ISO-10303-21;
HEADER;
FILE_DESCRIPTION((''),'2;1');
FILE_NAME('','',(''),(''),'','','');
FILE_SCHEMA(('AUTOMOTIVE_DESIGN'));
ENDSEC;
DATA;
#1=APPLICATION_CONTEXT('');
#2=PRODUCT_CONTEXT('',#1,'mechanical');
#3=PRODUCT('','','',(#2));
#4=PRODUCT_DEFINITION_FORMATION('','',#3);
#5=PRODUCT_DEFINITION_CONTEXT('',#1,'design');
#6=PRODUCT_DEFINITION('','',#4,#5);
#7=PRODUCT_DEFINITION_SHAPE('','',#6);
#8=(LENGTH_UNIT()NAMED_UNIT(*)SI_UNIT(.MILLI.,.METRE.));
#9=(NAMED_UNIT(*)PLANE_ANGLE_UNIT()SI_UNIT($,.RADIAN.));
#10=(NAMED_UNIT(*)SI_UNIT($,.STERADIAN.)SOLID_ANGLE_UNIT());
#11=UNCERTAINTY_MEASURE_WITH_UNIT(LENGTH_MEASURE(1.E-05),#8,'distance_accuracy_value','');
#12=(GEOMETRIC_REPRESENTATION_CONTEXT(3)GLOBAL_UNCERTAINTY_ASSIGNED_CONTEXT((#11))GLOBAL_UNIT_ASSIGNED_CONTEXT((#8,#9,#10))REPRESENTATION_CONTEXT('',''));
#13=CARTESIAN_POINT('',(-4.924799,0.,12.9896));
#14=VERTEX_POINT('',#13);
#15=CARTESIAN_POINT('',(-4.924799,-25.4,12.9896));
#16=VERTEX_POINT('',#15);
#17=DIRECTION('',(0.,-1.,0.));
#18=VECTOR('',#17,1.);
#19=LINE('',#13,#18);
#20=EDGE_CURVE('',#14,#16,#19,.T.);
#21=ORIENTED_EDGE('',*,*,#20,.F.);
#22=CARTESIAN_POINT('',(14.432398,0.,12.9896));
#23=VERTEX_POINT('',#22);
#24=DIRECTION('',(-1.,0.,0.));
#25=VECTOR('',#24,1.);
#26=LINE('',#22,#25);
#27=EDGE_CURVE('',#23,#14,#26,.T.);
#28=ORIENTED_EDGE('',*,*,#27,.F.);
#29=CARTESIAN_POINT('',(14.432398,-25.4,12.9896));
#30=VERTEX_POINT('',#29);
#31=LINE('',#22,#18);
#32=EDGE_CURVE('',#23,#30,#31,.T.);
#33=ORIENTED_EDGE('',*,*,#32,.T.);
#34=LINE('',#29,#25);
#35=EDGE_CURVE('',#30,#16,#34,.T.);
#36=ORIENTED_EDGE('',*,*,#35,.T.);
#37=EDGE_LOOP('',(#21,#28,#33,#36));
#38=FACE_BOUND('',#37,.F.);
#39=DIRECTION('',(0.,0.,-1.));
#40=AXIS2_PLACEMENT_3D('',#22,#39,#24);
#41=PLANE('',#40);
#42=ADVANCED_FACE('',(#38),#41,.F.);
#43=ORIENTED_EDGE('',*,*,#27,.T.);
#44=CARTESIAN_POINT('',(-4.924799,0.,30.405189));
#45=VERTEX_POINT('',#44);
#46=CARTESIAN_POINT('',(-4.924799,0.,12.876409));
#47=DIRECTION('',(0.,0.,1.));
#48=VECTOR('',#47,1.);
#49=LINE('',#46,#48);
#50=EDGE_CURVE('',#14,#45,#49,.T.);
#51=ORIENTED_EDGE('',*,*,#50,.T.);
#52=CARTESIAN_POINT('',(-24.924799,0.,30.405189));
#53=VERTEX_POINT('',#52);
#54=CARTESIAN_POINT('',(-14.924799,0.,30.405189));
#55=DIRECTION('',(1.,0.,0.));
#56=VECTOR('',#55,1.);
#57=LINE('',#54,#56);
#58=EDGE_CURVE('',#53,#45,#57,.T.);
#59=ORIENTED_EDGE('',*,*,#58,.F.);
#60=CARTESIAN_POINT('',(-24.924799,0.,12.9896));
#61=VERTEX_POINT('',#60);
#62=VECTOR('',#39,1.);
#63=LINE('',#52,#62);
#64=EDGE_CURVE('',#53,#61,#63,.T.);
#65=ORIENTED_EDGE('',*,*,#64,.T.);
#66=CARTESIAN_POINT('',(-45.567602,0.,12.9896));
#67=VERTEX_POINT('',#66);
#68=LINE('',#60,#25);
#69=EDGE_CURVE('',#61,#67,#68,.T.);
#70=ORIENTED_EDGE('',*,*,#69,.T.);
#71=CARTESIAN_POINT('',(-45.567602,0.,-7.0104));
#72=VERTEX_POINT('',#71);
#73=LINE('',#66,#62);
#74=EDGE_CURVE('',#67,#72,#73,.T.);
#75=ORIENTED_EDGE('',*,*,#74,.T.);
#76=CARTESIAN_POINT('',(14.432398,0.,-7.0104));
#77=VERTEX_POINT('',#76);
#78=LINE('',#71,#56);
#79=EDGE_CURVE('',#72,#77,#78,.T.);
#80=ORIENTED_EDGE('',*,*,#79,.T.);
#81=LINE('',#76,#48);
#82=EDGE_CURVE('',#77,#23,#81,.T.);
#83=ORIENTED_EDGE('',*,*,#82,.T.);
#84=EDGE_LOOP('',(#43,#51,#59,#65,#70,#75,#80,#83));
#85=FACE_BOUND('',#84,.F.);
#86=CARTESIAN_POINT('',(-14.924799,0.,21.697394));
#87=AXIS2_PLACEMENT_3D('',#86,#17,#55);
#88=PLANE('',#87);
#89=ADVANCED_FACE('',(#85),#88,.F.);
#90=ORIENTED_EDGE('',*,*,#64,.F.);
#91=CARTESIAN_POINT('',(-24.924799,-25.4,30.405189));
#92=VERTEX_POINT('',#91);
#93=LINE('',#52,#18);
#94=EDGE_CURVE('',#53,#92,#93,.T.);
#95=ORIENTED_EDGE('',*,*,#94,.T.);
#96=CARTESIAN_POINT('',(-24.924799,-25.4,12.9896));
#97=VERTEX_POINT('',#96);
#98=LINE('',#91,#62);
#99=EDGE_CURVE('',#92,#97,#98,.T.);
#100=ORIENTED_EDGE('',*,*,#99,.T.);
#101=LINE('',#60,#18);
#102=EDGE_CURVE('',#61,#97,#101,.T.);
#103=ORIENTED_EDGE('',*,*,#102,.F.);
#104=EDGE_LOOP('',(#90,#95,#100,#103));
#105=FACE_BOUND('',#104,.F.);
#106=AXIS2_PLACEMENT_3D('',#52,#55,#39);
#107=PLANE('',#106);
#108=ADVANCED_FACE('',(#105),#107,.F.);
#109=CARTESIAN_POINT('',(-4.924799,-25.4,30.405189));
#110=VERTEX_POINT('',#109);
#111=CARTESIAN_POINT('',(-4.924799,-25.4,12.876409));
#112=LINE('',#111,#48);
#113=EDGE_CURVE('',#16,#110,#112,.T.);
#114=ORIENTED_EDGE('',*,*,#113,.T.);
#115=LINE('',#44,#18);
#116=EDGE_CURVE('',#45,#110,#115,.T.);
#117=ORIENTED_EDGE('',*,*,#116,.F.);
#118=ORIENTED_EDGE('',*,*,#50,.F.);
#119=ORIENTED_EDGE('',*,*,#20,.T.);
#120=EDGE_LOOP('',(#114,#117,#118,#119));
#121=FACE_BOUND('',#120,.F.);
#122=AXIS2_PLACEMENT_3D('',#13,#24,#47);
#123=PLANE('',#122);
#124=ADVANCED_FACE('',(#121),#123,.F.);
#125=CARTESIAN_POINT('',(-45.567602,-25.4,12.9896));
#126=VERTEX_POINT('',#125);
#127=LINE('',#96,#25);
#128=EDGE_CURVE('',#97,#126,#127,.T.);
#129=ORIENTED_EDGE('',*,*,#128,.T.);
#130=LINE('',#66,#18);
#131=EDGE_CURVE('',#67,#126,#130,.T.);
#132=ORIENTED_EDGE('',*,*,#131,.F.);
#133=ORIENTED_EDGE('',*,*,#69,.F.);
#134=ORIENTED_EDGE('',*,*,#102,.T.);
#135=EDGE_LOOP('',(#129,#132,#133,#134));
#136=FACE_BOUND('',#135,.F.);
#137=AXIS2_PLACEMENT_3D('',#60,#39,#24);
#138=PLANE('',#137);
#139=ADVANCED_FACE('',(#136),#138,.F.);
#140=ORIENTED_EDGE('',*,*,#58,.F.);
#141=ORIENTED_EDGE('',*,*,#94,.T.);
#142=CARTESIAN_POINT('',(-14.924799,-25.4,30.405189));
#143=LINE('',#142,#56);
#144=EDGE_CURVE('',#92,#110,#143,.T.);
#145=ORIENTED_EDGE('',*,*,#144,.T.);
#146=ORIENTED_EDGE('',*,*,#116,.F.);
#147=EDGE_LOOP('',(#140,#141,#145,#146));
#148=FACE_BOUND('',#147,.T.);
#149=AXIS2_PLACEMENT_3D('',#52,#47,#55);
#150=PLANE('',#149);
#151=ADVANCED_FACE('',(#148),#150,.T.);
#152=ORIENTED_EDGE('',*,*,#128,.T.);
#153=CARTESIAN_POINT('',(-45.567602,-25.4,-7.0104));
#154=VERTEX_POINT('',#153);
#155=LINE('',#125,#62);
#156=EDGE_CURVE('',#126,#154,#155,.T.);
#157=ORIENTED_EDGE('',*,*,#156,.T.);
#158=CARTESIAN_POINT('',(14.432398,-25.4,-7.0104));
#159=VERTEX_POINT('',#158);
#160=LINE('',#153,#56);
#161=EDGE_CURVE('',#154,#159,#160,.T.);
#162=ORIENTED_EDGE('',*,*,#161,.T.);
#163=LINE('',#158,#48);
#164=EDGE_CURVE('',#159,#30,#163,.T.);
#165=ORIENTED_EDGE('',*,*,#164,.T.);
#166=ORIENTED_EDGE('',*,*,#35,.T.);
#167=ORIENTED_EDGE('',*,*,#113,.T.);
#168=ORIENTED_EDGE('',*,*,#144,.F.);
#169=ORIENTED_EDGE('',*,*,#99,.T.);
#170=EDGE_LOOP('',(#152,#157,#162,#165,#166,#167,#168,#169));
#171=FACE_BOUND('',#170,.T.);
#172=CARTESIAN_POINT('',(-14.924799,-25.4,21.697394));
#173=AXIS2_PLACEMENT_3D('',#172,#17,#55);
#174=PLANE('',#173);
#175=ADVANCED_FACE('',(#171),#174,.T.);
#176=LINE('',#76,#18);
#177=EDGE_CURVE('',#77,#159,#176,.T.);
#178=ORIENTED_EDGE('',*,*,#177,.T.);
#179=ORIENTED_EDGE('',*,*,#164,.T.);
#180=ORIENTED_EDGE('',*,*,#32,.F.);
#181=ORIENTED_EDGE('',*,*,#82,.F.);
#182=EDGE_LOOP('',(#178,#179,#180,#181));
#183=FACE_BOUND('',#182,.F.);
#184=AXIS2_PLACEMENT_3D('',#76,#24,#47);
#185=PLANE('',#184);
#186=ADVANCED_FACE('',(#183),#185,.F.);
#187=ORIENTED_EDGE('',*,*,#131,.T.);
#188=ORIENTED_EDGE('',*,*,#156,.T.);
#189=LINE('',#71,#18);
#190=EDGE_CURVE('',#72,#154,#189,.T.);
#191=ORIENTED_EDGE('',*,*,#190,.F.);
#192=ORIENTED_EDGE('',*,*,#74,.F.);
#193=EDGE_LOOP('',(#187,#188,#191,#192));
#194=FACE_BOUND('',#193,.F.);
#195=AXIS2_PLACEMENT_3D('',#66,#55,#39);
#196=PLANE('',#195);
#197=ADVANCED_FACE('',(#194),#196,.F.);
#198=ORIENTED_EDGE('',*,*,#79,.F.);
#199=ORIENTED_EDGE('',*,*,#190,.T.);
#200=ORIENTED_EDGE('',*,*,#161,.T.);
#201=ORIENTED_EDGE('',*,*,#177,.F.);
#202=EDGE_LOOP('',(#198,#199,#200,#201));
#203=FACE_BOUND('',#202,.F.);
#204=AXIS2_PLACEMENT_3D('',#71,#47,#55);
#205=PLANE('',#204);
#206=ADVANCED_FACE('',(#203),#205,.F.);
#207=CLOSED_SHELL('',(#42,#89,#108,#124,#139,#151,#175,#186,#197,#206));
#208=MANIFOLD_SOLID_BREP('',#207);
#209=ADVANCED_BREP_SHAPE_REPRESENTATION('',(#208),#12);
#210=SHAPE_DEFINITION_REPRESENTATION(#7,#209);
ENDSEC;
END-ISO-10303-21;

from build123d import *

# Parameters (mm, degrees)
F0_W     = 20
F0_H     = 17.4155889266
F0_H_2   = 0.1131903195
F1_DEPTH = 25.4


with BuildPart() as f1:
    # F0 (on Front) → F1 (new body)
    with BuildSketch(Plane.XZ):
        with Locations((-14.9247993893, 21.6973941681)):
            Rectangle(F0_W, F0_H)
        with Locations((-14.9247993893, 12.933004545)):
            Rectangle(F0_W, F0_H_2)
        Polygon((-24.9247993893, 12.8764093852), (-24.9247993893, 12.9895997047), (-45.5676019192, 12.9895997047), (-45.5676019192, -7.0104002953), (14.4323980808, -7.0104002953), (14.4323980808, 12.9895997047), (-4.9247993893, 12.9895997047), (-4.9247993893, 12.8764093852), align=None)
    extrude(amount=F1_DEPTH)


solid = f1.part
